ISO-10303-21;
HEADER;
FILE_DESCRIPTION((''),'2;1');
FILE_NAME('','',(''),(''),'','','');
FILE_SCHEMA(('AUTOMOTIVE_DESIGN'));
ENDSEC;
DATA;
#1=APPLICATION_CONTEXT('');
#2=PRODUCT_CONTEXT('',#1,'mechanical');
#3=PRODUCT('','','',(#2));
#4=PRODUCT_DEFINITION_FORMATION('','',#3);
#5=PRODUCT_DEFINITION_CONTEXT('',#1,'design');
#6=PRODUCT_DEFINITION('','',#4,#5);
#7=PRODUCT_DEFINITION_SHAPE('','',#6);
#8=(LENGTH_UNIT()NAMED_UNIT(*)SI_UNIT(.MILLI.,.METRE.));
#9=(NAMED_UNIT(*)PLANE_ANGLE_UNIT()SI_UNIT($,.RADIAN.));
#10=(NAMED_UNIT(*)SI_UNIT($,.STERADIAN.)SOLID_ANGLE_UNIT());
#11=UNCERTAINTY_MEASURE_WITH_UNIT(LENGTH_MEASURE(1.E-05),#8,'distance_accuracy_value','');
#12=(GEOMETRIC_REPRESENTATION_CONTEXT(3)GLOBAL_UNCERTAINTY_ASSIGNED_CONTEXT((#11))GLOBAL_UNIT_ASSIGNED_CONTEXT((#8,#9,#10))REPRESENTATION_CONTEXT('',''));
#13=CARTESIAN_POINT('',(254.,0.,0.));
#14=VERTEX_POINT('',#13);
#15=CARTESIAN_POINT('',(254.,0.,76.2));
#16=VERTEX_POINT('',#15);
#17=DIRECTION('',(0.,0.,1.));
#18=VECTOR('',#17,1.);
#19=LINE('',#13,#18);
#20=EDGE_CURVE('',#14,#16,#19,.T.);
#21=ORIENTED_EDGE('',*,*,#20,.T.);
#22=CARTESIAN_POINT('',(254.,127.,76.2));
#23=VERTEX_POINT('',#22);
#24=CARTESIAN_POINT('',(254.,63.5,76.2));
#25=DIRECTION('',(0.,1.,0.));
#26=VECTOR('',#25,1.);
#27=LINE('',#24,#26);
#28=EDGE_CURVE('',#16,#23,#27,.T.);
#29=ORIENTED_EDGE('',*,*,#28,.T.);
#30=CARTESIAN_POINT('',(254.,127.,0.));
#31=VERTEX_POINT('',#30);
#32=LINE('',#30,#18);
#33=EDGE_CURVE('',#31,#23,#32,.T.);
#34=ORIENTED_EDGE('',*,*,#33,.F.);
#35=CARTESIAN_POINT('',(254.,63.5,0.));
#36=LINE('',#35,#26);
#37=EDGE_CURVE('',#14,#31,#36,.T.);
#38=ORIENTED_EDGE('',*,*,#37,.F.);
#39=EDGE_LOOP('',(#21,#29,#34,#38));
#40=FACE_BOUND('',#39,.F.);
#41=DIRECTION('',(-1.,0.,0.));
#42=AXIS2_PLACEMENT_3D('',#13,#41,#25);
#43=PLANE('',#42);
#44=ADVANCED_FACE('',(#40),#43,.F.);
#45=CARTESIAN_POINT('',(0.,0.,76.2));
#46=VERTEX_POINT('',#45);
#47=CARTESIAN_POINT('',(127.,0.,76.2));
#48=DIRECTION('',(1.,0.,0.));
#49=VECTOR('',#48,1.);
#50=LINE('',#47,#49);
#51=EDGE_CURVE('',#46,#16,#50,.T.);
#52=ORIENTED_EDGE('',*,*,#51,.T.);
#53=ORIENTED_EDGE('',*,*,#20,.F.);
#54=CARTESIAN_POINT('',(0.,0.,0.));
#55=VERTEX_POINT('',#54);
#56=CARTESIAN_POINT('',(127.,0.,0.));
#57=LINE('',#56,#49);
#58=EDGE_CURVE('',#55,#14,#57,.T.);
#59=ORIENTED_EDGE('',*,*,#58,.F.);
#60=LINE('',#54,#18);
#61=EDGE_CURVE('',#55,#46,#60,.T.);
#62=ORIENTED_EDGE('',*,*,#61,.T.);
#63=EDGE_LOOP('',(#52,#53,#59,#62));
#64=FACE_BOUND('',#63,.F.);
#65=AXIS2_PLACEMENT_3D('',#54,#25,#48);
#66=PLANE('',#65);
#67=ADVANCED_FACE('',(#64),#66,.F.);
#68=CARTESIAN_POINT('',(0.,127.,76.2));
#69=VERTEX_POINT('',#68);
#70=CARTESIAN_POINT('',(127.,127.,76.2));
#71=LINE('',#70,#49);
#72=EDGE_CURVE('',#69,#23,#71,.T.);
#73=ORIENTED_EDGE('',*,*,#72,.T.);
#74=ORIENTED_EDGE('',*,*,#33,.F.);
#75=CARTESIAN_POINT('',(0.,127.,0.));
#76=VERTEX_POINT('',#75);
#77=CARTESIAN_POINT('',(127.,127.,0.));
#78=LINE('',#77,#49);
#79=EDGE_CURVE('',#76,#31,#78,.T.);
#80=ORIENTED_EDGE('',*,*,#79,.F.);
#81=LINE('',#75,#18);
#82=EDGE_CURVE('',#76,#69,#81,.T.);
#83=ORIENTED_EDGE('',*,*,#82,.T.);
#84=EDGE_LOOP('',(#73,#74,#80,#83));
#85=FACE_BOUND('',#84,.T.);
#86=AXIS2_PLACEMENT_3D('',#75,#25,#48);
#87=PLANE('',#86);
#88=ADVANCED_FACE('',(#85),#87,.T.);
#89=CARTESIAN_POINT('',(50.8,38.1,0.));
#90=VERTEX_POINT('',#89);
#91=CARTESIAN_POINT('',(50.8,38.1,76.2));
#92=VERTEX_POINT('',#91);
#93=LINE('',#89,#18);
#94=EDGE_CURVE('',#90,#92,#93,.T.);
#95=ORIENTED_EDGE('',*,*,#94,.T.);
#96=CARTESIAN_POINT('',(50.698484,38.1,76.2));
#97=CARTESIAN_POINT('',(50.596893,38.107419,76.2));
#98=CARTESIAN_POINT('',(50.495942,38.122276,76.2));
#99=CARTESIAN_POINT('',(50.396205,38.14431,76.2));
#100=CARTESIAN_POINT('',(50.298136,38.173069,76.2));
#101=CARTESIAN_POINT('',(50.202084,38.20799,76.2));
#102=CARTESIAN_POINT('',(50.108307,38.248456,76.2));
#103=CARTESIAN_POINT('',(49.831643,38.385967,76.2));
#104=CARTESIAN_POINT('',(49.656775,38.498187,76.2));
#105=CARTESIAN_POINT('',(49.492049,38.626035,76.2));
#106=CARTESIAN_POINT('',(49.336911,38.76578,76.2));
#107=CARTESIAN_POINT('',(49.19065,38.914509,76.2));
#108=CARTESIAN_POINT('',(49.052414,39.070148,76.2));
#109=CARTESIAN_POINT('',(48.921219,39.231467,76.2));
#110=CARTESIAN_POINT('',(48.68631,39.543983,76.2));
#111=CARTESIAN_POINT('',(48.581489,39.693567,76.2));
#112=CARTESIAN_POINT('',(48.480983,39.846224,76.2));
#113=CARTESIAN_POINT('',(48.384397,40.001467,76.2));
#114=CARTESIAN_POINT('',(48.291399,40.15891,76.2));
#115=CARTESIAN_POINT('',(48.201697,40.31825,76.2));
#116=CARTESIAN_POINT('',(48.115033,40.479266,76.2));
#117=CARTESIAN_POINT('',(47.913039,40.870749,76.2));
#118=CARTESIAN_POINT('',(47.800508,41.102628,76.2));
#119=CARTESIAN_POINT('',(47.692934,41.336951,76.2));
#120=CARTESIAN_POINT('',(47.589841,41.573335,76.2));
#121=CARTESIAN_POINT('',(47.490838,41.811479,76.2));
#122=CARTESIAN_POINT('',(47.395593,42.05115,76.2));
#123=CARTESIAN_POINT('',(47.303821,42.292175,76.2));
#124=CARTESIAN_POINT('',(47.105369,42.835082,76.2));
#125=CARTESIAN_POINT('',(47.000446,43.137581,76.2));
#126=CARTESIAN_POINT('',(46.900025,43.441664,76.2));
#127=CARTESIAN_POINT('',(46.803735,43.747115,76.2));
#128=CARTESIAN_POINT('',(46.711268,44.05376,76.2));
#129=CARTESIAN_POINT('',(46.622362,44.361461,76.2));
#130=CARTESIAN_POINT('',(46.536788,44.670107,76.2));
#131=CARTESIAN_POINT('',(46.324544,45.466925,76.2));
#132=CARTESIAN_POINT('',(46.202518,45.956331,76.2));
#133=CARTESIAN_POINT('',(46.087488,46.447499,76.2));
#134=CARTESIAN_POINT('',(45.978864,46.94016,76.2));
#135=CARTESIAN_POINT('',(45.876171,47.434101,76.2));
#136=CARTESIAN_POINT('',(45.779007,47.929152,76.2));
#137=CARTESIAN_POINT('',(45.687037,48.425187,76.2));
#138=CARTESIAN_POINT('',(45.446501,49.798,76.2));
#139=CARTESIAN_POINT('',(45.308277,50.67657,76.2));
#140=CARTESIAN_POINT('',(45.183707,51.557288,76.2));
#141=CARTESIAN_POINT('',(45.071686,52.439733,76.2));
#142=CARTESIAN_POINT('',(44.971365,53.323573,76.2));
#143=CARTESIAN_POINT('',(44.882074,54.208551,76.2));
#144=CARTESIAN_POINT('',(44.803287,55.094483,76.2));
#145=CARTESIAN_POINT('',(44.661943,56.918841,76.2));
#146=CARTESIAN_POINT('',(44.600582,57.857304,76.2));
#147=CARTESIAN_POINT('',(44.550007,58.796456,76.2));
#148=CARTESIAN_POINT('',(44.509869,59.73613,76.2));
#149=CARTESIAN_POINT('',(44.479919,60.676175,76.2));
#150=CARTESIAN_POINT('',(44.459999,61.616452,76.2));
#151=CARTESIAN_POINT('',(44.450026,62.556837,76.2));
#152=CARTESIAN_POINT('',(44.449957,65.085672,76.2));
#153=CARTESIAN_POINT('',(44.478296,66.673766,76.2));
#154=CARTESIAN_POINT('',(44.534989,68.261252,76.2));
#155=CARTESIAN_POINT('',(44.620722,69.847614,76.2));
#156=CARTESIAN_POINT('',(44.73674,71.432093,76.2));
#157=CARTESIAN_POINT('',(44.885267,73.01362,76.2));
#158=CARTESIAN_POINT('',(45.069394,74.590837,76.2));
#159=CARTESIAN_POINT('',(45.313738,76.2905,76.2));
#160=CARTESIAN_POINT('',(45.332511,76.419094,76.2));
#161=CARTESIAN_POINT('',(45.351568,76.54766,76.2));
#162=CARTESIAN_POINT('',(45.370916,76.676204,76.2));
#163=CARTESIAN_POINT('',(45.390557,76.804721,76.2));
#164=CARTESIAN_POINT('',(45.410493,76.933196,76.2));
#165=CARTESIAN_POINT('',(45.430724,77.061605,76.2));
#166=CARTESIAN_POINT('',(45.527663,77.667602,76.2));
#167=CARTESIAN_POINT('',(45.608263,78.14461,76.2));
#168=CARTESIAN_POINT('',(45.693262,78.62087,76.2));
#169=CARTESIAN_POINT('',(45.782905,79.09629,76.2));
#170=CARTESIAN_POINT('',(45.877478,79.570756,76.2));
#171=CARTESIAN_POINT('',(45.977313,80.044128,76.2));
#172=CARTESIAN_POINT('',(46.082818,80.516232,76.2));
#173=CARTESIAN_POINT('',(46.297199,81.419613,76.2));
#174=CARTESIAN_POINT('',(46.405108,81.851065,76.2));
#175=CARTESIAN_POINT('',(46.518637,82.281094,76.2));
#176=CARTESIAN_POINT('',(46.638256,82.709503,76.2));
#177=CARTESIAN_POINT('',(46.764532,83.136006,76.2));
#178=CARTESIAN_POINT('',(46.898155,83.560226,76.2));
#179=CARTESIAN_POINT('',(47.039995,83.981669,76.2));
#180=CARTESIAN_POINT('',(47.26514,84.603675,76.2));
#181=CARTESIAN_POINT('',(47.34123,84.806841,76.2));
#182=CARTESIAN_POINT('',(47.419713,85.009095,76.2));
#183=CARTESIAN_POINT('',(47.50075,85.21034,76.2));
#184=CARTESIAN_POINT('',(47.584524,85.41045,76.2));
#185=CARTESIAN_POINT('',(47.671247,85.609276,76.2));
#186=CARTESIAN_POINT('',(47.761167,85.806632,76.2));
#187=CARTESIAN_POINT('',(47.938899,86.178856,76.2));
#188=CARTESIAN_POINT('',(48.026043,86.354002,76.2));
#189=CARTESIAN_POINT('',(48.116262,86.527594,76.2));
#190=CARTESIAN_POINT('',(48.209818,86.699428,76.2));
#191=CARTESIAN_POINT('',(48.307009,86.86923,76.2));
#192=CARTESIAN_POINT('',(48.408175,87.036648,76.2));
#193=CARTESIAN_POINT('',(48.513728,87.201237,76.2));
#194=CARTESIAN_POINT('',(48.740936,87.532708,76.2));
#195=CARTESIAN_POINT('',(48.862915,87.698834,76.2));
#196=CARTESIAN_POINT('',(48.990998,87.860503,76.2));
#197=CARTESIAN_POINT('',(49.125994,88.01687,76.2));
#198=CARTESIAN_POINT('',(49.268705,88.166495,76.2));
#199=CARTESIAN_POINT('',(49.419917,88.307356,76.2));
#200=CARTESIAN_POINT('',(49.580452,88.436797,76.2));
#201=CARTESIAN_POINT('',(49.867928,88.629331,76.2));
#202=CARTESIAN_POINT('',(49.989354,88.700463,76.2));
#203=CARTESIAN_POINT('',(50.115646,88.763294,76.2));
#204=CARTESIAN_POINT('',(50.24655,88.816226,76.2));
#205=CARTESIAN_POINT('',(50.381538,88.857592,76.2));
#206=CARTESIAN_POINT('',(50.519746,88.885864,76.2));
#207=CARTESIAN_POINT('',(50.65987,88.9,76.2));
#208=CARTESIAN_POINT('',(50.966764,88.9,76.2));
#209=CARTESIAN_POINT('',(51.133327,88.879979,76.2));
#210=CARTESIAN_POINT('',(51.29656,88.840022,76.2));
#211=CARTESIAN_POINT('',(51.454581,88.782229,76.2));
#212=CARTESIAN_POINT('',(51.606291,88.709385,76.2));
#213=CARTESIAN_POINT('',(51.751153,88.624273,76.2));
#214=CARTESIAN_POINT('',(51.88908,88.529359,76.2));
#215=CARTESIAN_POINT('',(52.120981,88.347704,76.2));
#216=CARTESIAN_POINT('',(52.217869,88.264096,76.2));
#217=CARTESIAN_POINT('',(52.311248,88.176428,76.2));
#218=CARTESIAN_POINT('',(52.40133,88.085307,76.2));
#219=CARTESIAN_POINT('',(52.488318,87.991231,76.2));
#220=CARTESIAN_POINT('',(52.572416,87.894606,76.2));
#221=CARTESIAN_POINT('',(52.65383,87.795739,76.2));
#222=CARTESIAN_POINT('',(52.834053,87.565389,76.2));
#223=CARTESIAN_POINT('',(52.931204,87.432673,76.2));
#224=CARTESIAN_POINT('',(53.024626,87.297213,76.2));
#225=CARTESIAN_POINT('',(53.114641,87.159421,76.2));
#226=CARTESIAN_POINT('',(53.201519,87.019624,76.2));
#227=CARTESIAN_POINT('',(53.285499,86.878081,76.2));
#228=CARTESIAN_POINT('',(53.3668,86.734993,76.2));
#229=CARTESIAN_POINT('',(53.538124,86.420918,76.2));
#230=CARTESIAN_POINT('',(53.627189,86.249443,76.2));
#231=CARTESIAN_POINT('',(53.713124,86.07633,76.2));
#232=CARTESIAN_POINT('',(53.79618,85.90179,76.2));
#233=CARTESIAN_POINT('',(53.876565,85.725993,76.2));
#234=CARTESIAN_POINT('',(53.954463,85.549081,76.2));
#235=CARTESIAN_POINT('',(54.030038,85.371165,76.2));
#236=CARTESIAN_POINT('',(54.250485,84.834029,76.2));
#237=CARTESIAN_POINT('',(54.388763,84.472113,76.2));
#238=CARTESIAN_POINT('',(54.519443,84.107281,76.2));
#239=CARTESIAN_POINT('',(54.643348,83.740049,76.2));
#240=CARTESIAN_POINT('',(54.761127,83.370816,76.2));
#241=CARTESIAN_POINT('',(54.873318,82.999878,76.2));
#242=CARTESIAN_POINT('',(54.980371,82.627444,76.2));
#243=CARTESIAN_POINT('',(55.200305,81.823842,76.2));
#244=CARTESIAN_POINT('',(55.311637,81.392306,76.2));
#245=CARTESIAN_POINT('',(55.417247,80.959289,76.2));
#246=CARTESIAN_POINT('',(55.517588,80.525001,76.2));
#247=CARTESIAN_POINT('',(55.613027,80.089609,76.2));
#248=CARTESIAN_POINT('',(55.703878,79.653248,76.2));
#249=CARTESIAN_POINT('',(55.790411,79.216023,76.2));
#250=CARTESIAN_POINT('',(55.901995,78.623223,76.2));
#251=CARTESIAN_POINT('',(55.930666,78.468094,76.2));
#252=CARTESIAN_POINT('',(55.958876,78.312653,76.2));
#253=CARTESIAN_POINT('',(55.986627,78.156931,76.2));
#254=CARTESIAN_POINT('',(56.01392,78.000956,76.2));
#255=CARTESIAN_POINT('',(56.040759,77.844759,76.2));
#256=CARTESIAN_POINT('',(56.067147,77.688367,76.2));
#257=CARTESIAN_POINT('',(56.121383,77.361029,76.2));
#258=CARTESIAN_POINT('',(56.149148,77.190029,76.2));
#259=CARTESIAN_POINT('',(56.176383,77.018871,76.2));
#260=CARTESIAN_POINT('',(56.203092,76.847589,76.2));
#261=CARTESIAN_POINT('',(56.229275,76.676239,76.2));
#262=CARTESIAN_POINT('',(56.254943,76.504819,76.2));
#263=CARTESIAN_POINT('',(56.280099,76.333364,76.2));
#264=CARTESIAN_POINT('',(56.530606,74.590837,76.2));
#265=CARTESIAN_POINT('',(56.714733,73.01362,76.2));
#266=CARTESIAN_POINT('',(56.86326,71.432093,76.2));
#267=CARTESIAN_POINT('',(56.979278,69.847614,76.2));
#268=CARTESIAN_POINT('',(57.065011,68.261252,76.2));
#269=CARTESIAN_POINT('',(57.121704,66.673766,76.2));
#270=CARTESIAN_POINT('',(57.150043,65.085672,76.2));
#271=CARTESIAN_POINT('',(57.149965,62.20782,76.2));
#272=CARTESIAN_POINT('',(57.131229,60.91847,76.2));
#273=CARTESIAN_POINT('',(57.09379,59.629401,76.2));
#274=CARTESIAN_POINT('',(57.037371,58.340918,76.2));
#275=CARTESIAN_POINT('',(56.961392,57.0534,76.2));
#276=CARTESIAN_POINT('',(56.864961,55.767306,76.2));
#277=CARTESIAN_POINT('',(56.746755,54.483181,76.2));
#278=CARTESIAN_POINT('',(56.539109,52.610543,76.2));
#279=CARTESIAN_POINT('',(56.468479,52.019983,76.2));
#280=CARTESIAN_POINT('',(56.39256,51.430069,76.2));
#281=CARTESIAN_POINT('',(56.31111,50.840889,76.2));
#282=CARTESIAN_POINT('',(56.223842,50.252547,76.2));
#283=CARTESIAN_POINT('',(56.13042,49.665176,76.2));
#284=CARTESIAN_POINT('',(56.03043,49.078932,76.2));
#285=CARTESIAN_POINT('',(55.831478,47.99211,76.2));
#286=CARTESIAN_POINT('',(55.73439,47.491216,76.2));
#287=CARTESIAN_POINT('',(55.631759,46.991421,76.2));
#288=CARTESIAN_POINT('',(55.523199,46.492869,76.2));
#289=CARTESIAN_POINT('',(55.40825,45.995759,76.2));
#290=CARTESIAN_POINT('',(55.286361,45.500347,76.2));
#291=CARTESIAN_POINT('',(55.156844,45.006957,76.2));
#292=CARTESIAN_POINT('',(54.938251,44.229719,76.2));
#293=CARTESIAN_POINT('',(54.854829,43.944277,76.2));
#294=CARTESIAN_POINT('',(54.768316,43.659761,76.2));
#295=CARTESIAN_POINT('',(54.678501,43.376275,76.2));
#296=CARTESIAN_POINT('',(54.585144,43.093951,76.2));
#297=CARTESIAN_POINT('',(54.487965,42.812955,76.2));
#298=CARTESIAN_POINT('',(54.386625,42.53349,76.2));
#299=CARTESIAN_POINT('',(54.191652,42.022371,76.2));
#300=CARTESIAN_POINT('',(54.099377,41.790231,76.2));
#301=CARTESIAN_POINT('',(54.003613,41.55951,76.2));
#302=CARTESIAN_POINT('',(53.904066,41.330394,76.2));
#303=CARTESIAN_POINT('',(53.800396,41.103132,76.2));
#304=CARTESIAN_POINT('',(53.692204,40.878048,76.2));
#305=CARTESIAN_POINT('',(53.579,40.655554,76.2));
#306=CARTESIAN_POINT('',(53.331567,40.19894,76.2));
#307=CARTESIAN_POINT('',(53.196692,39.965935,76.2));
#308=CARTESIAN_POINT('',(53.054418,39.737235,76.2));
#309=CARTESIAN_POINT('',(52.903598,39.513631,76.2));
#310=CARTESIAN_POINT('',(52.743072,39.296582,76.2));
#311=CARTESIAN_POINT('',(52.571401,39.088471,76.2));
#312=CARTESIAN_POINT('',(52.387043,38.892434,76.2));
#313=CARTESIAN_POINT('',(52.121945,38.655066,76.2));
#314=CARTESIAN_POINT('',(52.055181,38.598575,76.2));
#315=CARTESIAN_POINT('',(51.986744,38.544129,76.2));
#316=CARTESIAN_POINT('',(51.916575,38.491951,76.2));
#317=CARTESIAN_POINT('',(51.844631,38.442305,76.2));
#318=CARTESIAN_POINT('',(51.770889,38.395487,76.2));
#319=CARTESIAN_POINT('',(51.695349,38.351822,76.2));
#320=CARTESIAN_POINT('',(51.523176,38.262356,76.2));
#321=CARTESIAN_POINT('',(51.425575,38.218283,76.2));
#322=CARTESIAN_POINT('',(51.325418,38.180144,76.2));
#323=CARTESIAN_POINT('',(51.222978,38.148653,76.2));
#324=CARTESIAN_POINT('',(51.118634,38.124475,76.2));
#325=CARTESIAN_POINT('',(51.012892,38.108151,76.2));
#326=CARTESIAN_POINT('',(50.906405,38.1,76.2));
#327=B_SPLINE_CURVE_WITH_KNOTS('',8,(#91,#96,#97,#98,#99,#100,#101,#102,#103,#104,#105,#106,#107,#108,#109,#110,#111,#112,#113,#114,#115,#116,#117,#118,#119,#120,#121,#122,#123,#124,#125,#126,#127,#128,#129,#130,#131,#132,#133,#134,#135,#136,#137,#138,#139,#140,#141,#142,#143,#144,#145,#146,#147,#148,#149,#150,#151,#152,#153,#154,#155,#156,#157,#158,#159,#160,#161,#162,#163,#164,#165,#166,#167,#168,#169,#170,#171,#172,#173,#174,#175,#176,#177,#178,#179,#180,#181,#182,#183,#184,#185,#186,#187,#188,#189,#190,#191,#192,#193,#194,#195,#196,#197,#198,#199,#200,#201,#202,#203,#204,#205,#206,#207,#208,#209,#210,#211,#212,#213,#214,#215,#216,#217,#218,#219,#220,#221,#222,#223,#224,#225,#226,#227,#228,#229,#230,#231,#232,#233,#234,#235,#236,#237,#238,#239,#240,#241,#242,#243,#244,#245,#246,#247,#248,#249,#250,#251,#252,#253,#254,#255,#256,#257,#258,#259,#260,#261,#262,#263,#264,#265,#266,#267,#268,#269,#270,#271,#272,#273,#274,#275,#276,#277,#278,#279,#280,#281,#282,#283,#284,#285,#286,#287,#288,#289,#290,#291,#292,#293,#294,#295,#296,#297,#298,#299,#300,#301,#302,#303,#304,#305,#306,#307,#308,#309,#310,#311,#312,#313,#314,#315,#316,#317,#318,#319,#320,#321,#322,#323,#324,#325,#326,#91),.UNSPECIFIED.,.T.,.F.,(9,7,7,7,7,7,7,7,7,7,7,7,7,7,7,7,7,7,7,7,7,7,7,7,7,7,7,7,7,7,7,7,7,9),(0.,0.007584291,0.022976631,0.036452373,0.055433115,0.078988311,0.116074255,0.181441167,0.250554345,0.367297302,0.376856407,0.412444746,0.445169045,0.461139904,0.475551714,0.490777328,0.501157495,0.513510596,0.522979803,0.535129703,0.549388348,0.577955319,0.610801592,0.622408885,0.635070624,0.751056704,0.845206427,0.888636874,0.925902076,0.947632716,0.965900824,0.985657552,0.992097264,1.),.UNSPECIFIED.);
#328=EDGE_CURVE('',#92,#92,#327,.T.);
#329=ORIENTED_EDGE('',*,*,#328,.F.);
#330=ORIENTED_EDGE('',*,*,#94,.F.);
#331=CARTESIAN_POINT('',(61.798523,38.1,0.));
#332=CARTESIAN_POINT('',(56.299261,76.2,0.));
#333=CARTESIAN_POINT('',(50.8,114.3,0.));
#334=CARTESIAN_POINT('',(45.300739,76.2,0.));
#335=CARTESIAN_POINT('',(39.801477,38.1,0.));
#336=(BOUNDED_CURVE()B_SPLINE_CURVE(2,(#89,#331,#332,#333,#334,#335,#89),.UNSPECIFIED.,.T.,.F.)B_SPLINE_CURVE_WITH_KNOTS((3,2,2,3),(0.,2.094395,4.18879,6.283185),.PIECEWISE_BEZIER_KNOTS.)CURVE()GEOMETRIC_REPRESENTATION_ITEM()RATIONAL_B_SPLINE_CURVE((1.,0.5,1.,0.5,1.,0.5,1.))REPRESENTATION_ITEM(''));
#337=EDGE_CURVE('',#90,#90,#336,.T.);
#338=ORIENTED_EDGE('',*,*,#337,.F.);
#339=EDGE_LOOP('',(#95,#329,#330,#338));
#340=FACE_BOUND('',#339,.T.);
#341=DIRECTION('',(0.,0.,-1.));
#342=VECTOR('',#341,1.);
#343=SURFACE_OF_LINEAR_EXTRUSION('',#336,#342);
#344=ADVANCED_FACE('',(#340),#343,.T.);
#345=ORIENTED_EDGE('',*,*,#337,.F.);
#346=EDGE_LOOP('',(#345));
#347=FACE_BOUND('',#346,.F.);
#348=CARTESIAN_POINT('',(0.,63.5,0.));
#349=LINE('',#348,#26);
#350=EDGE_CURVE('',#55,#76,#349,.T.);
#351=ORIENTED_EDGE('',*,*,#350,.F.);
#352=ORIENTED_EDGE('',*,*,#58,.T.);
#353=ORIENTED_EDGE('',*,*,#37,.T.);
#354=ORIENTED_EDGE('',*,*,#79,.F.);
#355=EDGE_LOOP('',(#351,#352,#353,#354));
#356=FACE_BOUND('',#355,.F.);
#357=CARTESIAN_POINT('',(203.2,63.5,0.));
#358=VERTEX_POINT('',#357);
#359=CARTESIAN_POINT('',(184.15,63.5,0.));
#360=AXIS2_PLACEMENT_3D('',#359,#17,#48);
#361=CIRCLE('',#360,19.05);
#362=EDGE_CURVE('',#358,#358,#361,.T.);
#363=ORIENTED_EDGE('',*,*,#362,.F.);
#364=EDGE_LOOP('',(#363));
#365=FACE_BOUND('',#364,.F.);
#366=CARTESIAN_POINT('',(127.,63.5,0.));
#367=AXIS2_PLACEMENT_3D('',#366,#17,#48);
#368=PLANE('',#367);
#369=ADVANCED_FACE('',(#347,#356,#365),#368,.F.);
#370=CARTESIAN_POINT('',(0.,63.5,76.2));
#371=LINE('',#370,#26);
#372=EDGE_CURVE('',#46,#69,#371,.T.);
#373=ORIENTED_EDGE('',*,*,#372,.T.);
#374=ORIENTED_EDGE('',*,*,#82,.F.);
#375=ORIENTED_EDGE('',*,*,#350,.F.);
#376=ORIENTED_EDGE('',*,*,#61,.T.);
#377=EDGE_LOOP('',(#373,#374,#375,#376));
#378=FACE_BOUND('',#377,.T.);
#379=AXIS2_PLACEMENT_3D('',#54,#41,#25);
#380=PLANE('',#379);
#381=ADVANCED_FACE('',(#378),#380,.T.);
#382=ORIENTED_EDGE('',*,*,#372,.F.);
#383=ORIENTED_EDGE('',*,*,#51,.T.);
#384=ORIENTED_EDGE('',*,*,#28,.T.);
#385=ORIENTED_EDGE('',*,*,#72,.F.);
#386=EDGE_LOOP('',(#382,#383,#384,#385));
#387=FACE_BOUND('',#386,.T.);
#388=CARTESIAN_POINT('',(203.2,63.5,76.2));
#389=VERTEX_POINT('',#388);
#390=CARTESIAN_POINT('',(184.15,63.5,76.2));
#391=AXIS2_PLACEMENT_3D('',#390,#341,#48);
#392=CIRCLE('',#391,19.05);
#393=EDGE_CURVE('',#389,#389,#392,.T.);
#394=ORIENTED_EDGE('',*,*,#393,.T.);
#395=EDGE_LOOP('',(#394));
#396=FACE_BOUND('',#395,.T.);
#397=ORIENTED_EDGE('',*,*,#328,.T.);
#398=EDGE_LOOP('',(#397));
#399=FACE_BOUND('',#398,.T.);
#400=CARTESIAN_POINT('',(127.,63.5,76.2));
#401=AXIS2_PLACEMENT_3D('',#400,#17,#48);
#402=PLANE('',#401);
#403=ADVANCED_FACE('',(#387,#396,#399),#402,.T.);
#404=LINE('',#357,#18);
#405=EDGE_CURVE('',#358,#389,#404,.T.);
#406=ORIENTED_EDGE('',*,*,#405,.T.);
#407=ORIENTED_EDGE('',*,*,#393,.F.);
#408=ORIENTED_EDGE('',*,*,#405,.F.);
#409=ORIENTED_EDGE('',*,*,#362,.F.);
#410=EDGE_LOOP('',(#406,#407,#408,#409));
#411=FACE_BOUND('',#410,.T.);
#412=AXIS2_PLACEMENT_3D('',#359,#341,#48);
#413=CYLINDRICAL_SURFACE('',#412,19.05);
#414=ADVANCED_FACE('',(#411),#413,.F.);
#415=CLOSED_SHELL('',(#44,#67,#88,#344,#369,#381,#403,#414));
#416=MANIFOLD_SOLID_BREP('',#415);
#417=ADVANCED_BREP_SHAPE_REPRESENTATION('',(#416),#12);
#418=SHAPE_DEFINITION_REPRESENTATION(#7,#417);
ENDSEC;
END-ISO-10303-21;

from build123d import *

# Parameters (mm, degrees)
F0_W     = 254
F0_H     = 127
F1_DEPTH = 76.2
F4_DEPTH = 76.201
F2_R     = 19.05
F5_DEPTH = 279.4


with BuildPart() as f1:
    # F0 (on Top) → F1 (new body)
    with BuildSketch(Plane.XY):
        with Locations((127, 63.5)):
            Rectangle(F0_W, F0_H)
    extrude(amount=F1_DEPTH)

    # F3 (on Top) → F4 (cut, through all)
    with BuildSketch(Plane.XY):
        with BuildLine():
            add(Edge.make_bspline(
                [(50.8, 38.1), (61.798523, 38.1), (56.299261, 76.2), (50.8, 114.3), (45.300739, 76.2), (39.801477, 38.1), (50.8, 38.1)],
                knots=[0, 0, 0, 2.094395, 2.094395, 4.18879, 4.18879, 6.283185, 6.283185, 6.283185], degree=2, weights=[1, 0.5, 1, 0.5, 1, 0.5, 1]))
        make_face()
    extrude(amount=F4_DEPTH, mode=Mode.SUBTRACT)

    # F2 (on Top) → F5 (cut)
    with BuildSketch(Plane.XY):
        with Locations((184.15, 63.5)):
            Circle(F2_R)
    extrude(amount=F5_DEPTH, mode=Mode.SUBTRACT)


solid = f1.part
